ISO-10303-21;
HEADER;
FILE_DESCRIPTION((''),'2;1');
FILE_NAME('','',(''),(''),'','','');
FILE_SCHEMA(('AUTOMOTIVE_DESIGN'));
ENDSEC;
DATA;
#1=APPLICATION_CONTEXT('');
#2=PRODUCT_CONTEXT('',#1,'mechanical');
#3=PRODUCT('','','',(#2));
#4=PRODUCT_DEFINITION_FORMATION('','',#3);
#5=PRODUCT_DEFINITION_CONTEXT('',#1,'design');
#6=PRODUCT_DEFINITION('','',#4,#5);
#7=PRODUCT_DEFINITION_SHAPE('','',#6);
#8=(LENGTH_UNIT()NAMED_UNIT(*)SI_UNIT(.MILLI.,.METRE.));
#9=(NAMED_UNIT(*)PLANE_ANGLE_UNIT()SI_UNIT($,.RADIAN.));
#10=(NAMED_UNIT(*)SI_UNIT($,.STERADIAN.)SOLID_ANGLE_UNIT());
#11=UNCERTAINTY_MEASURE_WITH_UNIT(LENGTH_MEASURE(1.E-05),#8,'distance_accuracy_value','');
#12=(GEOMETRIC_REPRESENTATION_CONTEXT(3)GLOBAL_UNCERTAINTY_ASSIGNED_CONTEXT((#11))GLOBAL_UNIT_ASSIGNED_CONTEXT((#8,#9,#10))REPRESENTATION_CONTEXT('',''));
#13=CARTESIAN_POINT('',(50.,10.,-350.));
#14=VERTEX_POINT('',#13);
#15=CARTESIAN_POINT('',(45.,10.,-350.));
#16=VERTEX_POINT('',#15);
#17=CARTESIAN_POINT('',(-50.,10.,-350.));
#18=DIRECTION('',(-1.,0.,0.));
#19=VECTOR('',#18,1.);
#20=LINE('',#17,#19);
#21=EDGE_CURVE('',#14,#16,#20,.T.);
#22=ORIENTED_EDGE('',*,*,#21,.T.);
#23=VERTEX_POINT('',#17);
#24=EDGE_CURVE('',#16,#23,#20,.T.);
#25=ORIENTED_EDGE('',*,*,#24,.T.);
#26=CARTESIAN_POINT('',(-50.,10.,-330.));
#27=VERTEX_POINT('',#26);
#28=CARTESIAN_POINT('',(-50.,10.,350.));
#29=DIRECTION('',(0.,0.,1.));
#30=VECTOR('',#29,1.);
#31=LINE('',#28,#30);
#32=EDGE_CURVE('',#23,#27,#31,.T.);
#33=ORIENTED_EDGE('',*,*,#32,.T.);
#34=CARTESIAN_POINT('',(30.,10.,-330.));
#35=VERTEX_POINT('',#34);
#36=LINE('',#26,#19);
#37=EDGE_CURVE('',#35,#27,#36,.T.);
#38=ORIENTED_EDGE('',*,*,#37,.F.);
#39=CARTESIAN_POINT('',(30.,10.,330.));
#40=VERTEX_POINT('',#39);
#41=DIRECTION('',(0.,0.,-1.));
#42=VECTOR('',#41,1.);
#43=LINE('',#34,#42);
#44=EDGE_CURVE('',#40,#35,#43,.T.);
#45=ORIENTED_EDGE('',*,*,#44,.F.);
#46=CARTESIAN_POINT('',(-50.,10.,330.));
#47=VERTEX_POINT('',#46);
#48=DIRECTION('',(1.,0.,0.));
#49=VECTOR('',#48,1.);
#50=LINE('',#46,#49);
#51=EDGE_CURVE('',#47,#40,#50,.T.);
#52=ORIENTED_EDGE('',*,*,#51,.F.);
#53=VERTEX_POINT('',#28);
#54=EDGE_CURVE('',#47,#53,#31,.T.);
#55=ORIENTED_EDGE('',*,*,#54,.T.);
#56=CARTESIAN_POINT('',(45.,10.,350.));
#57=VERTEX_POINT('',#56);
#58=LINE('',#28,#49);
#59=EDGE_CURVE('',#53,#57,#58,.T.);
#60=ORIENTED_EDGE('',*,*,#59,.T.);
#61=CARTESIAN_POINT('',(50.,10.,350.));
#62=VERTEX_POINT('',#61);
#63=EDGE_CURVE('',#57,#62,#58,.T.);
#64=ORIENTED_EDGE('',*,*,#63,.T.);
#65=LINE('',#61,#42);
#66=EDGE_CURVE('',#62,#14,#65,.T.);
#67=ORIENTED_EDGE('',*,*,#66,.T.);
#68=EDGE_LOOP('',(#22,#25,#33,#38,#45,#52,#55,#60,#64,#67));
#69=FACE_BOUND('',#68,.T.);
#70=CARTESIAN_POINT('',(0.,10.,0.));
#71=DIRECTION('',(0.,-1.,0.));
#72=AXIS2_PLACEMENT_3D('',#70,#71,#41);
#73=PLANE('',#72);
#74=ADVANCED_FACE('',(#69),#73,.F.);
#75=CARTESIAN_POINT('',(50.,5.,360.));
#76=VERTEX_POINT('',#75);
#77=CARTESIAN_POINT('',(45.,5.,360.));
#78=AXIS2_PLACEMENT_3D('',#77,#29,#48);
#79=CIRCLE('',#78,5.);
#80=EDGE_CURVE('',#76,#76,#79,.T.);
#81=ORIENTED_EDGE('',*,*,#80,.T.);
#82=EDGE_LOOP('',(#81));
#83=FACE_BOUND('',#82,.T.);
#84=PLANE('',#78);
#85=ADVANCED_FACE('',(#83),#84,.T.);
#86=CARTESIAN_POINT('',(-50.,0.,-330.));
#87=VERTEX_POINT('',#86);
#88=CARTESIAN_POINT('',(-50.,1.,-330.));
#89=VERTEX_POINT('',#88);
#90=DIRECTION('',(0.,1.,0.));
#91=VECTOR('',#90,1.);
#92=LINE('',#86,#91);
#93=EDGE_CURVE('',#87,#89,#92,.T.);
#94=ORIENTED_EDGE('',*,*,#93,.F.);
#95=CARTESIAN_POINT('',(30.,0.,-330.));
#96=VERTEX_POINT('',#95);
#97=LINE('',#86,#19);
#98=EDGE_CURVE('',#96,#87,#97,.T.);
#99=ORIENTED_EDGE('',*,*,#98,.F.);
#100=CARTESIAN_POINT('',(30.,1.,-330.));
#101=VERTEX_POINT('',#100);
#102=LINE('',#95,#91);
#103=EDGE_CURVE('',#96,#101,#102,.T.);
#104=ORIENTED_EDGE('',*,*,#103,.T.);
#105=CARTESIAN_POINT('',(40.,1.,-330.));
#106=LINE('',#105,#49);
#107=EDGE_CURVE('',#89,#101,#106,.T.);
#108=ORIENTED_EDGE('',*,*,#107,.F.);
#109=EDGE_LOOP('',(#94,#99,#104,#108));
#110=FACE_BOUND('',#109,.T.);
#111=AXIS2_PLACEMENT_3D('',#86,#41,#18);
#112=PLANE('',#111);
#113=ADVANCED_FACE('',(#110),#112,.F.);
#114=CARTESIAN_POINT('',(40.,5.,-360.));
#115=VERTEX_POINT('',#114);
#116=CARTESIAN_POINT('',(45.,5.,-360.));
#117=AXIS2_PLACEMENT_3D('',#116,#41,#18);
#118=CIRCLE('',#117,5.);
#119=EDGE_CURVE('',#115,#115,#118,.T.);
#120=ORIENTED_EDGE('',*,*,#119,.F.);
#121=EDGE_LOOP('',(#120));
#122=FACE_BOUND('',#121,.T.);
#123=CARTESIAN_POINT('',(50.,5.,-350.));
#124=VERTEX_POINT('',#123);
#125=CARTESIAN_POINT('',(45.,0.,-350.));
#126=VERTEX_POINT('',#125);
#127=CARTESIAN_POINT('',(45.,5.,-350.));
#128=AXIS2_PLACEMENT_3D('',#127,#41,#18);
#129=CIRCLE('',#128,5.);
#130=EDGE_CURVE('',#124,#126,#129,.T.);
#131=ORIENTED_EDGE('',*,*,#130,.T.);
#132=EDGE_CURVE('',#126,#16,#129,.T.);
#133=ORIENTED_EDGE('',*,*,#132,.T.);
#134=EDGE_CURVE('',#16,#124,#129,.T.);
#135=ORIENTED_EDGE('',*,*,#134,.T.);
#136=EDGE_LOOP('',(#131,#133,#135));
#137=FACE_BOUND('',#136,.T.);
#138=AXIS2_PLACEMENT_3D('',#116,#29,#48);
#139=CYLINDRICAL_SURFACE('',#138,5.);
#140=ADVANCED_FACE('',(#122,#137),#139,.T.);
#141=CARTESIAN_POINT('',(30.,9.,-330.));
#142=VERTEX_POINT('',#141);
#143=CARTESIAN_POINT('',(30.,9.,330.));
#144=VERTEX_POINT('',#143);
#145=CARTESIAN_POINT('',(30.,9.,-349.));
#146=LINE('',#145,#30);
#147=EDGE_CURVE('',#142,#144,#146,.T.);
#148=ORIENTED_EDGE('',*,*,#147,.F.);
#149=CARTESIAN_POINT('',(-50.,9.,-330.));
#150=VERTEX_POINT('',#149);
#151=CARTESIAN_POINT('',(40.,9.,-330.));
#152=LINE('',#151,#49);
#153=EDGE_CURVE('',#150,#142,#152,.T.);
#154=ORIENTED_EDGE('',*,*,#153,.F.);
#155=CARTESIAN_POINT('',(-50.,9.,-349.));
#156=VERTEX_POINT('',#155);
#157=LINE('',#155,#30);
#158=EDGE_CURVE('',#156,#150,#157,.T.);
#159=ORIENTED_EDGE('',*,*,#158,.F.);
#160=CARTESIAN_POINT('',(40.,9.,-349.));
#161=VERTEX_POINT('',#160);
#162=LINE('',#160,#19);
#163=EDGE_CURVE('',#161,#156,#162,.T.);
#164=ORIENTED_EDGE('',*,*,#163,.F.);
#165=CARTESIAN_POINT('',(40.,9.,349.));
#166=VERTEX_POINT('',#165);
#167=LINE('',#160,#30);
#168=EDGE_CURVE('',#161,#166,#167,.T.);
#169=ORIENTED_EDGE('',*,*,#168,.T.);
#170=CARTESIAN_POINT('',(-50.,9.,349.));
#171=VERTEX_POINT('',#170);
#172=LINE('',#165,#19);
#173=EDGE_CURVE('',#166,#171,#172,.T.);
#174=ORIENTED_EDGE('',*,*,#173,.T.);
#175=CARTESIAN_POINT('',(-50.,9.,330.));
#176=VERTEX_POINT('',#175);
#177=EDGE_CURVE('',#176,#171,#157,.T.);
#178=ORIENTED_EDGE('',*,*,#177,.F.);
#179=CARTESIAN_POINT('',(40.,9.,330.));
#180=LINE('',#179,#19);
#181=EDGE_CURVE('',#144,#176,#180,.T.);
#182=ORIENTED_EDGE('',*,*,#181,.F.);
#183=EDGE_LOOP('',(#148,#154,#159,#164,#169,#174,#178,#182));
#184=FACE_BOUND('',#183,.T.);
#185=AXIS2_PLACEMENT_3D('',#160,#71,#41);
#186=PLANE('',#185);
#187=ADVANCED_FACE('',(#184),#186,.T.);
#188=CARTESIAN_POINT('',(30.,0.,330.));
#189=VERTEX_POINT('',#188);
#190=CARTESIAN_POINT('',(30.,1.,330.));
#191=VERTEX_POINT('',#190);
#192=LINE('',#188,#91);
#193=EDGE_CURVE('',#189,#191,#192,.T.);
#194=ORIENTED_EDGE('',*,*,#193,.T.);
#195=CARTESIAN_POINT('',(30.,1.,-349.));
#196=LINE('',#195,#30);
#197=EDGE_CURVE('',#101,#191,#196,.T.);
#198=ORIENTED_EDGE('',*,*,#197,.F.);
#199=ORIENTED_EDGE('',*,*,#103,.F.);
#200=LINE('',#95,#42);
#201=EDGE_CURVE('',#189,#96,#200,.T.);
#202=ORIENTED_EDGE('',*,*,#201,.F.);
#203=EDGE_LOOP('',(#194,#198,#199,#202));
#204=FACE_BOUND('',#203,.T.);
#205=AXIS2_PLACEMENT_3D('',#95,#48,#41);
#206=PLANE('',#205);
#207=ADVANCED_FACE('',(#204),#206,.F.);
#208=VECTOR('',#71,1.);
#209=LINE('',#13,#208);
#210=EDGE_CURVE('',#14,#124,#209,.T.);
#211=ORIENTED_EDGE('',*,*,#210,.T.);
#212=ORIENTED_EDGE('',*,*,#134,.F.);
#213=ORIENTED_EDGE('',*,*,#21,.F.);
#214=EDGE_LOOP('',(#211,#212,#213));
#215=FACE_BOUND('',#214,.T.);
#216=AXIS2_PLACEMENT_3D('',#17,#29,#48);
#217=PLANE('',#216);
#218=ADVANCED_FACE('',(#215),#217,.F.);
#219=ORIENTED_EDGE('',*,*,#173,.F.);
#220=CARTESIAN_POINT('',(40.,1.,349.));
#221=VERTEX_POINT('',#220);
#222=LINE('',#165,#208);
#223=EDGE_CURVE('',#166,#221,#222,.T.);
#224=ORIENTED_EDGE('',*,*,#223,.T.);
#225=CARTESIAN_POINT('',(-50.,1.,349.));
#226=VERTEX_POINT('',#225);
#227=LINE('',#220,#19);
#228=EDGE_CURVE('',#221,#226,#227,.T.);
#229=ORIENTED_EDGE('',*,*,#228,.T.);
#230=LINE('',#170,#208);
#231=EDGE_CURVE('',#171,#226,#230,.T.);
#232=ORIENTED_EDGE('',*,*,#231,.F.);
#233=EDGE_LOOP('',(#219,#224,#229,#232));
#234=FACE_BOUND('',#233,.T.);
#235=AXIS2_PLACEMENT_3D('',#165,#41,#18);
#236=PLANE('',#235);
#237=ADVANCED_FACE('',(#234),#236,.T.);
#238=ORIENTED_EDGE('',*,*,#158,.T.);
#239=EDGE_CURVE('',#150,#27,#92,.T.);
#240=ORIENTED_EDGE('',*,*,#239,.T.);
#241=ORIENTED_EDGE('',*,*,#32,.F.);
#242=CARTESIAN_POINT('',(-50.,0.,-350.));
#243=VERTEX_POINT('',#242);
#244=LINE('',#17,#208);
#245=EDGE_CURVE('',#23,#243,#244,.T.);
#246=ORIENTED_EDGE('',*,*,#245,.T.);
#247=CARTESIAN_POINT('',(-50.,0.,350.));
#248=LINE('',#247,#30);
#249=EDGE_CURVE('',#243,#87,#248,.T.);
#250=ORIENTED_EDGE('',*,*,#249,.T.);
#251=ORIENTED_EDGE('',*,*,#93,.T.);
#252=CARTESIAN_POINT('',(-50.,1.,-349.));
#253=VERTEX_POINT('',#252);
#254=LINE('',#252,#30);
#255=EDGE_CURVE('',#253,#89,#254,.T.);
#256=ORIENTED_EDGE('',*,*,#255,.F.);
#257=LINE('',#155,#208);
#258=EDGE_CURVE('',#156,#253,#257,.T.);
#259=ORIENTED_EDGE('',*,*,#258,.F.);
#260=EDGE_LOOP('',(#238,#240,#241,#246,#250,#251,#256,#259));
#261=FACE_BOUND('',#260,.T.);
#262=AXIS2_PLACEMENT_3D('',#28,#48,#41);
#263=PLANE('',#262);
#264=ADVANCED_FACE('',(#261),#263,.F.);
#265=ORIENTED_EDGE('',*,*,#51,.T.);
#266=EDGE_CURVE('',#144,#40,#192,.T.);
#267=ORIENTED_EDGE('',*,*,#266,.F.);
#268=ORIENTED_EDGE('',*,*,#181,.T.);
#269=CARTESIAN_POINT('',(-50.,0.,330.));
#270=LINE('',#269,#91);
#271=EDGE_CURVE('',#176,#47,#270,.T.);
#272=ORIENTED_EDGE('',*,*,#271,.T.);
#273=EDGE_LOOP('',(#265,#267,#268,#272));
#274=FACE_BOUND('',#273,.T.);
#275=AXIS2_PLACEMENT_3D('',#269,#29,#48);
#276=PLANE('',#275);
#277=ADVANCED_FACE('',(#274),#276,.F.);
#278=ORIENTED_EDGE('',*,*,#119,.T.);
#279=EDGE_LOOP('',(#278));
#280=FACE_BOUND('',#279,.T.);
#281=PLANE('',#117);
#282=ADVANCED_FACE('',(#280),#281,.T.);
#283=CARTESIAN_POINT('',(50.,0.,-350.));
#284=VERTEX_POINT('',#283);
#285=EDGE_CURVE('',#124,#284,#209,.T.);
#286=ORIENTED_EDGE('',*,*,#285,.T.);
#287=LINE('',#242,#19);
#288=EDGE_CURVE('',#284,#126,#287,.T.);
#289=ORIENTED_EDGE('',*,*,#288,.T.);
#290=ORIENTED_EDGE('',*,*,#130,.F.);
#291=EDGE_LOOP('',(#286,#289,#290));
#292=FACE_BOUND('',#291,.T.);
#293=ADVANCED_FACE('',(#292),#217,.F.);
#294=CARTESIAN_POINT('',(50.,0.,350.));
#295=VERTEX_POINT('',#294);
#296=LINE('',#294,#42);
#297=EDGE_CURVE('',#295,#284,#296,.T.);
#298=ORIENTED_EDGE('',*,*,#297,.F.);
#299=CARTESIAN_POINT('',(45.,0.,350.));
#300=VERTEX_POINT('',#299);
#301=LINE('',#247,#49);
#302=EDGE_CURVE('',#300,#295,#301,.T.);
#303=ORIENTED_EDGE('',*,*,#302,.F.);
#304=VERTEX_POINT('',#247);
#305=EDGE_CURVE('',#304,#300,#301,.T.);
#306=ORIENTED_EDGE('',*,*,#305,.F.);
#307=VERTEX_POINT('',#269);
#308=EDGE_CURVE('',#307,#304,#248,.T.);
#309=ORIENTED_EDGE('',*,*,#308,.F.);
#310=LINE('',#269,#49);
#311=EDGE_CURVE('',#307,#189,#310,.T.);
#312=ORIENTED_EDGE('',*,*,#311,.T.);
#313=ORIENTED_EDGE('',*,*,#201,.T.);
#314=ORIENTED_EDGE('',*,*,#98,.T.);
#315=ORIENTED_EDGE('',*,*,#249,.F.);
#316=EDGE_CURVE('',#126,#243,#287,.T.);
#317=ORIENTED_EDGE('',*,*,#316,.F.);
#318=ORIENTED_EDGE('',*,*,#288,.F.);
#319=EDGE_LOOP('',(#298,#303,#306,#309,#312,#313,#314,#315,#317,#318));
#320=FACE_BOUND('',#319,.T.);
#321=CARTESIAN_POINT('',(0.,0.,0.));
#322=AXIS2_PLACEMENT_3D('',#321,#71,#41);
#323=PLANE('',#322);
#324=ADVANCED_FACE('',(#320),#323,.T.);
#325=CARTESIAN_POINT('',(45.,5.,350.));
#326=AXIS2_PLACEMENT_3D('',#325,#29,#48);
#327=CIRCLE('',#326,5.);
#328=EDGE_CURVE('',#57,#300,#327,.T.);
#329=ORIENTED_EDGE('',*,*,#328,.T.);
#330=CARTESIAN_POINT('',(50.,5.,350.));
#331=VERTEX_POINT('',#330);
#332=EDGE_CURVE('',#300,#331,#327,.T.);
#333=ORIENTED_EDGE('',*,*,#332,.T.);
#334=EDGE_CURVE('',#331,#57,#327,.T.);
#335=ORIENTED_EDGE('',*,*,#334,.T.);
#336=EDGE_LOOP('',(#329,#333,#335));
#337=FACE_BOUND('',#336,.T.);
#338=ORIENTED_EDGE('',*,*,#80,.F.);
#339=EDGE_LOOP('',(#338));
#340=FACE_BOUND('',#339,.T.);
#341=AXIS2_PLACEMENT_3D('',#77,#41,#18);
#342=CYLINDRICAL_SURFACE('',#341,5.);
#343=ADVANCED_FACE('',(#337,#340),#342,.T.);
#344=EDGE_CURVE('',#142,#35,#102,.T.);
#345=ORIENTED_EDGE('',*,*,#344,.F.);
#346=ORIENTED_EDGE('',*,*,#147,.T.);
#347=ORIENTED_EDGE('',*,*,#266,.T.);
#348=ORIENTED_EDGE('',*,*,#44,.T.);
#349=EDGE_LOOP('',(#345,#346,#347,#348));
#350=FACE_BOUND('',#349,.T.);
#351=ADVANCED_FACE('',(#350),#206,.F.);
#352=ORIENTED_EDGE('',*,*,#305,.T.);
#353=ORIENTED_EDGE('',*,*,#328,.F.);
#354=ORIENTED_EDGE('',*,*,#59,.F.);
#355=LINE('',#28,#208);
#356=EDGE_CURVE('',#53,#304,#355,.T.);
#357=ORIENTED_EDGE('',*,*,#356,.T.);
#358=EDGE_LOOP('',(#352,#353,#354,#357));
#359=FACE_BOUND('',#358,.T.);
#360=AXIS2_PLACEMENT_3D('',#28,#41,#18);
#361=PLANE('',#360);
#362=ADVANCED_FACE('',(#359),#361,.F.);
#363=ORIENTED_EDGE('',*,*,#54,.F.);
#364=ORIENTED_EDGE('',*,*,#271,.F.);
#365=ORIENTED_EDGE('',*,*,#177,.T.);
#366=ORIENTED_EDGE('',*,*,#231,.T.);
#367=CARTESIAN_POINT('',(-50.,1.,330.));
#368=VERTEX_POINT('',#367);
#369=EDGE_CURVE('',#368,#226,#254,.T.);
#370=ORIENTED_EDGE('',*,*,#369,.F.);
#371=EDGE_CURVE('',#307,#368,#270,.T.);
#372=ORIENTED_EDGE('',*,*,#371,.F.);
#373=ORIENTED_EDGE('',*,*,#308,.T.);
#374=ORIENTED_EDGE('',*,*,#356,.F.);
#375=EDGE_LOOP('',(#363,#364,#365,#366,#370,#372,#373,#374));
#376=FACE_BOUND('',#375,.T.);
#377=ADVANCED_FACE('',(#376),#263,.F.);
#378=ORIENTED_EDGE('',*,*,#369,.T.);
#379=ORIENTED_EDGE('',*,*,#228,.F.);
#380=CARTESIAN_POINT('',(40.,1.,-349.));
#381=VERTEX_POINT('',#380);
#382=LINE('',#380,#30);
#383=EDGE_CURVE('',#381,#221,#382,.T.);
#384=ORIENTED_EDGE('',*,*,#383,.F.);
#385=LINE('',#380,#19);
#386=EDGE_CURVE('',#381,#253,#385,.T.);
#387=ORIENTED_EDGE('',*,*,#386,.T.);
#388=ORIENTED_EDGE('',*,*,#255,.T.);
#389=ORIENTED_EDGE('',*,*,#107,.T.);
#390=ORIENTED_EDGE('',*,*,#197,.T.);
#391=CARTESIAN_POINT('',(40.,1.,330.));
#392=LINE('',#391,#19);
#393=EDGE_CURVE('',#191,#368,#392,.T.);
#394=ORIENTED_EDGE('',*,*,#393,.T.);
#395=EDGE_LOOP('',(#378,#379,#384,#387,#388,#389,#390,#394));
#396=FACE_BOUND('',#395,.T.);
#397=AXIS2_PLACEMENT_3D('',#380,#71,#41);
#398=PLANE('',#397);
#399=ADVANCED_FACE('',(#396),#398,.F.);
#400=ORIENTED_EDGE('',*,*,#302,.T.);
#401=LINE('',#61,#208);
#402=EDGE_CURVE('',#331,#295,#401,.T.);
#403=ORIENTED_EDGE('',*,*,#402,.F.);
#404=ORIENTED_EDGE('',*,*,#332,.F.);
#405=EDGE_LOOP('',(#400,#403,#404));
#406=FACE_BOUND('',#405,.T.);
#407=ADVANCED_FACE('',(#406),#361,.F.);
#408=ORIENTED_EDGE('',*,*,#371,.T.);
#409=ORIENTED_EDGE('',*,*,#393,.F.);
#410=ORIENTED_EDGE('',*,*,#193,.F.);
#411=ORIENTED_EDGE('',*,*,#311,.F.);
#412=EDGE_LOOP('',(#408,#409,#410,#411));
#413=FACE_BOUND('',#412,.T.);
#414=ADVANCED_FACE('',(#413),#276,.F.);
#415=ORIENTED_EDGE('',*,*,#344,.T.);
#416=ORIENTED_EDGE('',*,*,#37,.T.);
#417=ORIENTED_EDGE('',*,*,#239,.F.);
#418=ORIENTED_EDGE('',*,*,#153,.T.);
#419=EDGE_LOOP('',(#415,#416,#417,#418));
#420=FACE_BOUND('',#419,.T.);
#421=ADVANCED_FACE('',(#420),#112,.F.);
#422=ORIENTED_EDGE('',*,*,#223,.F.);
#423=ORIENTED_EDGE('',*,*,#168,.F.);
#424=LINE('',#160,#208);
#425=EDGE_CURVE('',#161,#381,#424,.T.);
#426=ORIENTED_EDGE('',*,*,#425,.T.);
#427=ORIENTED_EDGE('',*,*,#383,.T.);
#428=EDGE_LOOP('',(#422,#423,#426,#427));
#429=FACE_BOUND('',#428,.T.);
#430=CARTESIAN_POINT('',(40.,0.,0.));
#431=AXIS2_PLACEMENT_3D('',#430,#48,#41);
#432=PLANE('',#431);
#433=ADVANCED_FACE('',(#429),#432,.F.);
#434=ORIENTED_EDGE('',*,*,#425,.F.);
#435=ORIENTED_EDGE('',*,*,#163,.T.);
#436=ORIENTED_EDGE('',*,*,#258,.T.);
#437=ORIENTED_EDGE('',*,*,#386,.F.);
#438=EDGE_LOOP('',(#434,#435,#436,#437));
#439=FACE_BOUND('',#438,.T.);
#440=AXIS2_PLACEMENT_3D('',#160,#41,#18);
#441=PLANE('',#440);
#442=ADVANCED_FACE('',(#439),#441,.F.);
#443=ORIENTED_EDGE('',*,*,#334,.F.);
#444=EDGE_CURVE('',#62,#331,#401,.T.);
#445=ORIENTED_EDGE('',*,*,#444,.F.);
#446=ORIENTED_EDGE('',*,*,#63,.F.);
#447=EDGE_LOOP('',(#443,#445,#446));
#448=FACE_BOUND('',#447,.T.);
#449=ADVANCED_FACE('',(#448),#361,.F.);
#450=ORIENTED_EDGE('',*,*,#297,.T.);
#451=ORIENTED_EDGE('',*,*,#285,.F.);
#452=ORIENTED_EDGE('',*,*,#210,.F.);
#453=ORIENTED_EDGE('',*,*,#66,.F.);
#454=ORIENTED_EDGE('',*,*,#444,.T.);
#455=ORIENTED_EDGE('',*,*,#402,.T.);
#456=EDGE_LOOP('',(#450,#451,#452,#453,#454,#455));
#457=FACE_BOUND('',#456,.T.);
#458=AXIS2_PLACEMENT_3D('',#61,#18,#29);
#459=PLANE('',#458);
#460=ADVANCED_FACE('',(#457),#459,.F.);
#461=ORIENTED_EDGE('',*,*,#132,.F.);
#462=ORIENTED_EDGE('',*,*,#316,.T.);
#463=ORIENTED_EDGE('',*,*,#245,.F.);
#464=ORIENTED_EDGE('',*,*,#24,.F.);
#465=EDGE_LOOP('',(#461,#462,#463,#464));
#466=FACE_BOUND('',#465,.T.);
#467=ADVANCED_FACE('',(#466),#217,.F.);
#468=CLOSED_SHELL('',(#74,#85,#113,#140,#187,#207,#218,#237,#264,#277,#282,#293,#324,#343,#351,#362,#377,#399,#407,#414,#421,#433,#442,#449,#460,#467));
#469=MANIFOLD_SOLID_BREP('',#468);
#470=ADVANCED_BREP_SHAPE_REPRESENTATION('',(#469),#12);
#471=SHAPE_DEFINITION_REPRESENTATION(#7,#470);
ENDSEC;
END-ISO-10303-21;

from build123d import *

# Parameters (mm, degrees)
CROQUIS1_W              = 100
CROQUIS1_H              = 700
SALIENTE_EXTRUIR1_DEPTH = 10
CROQUIS2_R              = 5
SALIENTE_EXTRUIR2_DEPTH = 10
SALIENTE_EXTRUIR3_START = 10
CROQUIS3_R              = 5
SALIENTE_EXTRUIR3_DEPTH = 10
CROQUIS4_W              = 698
CROQUIS4_H              = 8
CORTAR_EXTRUIR1_DEPTH   = 90
CROQUIS5_W              = 80
CROQUIS5_H              = 660
CORTAR_EXTRUIR2_DEPTH   = 10


with BuildPart() as part:
    # Croquis1 → Saliente-Extruir1 (new body)
    with BuildSketch(Plane(origin=(0, 0, 0), x_dir=(1, 0, 0), z_dir=(0, 1, 0))):
        Rectangle(CROQUIS1_W, CROQUIS1_H)
    extrude(amount=SALIENTE_EXTRUIR1_DEPTH)

    # Croquis2 → Saliente-Extruir2 (add)
    with BuildSketch(Plane.XY.offset(350)):
        with Locations((45, 5)):
            Circle(CROQUIS2_R)
    extrude(amount=SALIENTE_EXTRUIR2_DEPTH)

    # Croquis3 → Saliente-Extruir3 (add)
    with BuildSketch(Plane(origin=(0, 0, -350), x_dir=(-1, 0, 0), z_dir=(0, 0, -1)).offset(SALIENTE_EXTRUIR3_START)):
        with Locations(Location((-45, 5, 0), (0, 0, 180))):
            Circle(CROQUIS3_R)
    extrude(amount=-SALIENTE_EXTRUIR3_DEPTH)

    # Croquis4 → Cortar-Extruir1 (cut)
    with BuildSketch(Plane.ZY.offset(50)):
        with Locations((0, 5)):
            Rectangle(CROQUIS4_W, CROQUIS4_H)
    extrude(amount=-CORTAR_EXTRUIR1_DEPTH, mode=Mode.SUBTRACT)

    # Croquis5 → Cortar-Extruir2 (cut)
    with BuildSketch(Plane(origin=(0, 10, 0), x_dir=(1, 0, 0), z_dir=(0, 1, 0))):
        with Locations((-10, 0)):
            Rectangle(CROQUIS5_W, CROQUIS5_H)
    extrude(amount=-CORTAR_EXTRUIR2_DEPTH, mode=Mode.SUBTRACT)


solid = part.part
